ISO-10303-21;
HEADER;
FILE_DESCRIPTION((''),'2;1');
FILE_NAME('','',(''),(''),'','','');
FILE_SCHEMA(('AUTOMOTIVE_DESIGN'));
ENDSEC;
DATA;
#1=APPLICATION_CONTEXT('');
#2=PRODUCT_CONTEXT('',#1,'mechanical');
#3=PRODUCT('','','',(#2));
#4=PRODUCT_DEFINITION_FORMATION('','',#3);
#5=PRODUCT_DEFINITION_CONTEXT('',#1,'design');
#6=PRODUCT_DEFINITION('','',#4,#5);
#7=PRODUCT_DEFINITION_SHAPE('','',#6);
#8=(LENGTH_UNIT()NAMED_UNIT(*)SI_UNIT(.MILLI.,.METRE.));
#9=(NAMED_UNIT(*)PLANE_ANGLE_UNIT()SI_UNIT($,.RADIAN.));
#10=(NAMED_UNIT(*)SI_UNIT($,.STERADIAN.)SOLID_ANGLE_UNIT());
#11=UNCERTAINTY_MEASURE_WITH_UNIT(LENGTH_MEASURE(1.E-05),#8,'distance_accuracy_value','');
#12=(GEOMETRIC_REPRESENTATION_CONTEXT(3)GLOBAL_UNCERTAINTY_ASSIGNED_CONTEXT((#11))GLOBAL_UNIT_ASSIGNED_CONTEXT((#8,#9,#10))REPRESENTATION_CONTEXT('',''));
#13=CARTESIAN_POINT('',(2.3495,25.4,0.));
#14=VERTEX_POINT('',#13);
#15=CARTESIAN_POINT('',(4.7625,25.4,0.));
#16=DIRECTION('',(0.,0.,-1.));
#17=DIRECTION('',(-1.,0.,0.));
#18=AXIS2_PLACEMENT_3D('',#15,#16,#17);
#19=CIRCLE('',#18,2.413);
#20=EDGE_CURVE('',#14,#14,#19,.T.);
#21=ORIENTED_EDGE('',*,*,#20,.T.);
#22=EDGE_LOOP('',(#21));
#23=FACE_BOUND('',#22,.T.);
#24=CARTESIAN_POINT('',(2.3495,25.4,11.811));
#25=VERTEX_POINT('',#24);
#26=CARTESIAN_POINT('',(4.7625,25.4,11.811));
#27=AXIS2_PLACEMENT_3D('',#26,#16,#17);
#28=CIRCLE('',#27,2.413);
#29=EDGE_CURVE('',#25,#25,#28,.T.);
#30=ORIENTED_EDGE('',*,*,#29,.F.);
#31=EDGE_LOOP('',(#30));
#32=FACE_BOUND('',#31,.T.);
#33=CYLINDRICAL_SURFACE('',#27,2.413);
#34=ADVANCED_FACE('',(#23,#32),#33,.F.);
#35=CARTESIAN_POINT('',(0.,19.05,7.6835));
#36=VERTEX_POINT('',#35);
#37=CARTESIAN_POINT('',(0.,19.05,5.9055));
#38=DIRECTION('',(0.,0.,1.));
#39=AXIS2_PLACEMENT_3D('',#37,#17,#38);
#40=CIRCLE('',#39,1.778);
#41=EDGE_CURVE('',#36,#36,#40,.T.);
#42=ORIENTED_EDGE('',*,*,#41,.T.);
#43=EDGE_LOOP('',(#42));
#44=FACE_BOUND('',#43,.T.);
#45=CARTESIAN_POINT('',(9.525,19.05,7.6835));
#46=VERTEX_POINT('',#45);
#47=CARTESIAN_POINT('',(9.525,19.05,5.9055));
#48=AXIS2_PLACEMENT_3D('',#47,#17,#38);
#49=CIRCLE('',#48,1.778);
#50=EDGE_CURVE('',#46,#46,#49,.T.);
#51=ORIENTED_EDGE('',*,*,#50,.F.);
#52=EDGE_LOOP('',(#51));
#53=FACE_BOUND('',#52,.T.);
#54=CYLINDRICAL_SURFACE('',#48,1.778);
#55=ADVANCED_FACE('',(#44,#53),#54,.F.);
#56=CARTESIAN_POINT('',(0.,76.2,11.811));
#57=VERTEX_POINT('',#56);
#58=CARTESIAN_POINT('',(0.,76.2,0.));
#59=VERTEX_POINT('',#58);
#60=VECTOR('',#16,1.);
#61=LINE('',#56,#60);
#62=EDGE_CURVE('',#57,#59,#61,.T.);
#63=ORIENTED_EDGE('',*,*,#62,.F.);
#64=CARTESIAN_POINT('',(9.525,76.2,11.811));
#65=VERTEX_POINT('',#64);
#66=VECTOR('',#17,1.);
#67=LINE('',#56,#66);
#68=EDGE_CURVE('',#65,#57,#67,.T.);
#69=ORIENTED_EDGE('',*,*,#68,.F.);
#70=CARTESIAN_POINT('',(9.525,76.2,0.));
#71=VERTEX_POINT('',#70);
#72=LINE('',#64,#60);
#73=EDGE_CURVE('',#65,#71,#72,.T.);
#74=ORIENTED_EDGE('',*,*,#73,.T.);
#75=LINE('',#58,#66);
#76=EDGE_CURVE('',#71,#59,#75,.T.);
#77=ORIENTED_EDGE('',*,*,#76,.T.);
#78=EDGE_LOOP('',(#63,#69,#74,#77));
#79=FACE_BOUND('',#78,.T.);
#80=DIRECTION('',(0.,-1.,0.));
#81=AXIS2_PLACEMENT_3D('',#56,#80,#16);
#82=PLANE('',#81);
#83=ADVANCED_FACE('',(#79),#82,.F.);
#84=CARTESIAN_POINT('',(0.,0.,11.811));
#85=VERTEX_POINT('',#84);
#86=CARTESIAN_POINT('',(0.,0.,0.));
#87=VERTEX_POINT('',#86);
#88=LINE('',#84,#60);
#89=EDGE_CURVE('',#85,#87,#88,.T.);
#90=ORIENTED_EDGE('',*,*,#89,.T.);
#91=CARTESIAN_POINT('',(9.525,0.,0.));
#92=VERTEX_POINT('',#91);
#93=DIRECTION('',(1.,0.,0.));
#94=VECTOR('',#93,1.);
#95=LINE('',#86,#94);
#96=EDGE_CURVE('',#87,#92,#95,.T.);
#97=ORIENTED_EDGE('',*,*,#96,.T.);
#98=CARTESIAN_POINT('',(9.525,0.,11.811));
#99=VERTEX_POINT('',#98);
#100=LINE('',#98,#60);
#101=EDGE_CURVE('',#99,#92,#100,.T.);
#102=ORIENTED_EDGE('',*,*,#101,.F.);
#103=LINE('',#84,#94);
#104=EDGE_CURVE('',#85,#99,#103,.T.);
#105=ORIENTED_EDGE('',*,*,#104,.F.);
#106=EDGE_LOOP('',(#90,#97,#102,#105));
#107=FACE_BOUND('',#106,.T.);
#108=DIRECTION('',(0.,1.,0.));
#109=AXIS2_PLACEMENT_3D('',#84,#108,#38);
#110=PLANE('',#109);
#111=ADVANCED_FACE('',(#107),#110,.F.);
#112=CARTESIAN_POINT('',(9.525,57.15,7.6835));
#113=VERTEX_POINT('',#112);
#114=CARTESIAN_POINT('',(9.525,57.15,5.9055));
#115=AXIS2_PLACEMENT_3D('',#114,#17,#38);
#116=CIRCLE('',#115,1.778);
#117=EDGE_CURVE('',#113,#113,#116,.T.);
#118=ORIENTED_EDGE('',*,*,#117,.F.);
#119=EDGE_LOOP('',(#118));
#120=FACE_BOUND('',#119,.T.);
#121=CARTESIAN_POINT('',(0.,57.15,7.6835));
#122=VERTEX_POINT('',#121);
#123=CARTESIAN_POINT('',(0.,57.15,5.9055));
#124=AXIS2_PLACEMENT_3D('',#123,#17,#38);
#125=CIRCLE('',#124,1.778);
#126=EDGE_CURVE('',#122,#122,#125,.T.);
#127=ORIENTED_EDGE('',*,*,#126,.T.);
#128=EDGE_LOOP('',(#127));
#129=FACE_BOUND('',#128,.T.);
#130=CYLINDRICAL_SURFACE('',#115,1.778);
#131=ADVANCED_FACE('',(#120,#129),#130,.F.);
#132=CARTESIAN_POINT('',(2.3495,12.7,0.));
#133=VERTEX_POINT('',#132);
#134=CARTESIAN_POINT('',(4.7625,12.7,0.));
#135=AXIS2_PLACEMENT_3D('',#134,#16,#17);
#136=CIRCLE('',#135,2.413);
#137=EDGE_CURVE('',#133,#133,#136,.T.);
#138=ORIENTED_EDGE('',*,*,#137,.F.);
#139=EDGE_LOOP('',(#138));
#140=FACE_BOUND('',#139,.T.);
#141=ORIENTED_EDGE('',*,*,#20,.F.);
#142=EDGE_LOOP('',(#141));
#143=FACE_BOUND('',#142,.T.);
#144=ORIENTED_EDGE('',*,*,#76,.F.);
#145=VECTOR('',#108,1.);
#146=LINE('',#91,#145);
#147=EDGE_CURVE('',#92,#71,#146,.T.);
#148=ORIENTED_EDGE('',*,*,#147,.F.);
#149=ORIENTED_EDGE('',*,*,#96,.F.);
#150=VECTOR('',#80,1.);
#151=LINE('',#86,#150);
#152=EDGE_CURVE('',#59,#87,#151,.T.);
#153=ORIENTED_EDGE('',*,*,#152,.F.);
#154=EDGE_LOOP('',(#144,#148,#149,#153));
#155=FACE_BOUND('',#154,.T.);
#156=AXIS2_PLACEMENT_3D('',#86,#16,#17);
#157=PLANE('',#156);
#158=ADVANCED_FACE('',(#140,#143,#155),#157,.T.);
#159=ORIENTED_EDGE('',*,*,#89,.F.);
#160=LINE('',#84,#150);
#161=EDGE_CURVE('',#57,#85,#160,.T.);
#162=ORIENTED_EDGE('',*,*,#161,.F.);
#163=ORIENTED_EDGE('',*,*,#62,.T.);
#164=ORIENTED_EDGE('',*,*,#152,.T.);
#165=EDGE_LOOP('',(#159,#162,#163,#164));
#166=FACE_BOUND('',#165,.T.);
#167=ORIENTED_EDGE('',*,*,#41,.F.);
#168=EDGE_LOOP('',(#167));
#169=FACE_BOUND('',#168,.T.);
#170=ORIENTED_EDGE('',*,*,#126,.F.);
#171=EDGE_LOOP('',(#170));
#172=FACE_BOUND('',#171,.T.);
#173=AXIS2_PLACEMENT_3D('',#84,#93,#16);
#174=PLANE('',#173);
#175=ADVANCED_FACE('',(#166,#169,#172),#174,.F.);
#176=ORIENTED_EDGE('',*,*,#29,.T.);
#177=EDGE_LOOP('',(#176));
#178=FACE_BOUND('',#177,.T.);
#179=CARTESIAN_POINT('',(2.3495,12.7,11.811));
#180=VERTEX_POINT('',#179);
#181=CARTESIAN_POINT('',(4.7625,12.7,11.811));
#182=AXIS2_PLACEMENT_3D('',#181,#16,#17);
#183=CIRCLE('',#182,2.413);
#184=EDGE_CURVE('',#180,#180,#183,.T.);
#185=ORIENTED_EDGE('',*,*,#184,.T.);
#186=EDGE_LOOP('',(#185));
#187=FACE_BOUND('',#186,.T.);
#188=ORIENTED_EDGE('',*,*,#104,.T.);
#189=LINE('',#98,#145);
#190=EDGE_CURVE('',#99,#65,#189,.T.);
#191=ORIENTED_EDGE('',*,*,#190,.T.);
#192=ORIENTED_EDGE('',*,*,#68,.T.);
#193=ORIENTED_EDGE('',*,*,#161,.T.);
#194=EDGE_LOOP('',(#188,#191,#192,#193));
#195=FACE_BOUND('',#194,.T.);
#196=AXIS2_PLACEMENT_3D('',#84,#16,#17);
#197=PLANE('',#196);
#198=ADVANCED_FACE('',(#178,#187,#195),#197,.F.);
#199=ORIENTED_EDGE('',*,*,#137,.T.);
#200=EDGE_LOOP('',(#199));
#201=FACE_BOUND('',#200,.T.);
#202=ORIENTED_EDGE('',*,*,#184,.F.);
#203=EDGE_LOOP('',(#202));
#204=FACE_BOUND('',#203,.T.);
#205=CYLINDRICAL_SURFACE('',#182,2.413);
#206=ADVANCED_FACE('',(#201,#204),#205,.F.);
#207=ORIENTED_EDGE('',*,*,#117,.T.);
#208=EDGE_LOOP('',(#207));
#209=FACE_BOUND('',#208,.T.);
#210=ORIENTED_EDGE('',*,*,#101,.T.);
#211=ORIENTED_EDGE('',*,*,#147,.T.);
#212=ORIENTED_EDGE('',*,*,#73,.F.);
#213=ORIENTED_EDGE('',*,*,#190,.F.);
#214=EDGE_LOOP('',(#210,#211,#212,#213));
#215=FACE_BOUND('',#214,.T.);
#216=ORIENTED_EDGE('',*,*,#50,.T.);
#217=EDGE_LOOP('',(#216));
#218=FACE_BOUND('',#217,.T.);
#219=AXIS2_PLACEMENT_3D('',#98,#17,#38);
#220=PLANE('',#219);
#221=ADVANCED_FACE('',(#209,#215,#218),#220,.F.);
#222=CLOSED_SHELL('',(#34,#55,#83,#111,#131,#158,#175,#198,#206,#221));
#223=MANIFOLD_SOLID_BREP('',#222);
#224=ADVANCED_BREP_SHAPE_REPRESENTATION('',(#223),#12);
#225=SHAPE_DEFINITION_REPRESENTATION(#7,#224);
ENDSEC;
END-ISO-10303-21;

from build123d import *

# Parameters (mm, degrees)
SKETCH1_W           = 9.525
SKETCH1_H           = 76.2
BOSS_EXTRUDE1_DEPTH = 11.811
SKETCH2_R           = 1.778
CUT_EXTRUDE1_DEPTH  = 10.525
SKETCH3_R           = 2.413
CUT_EXTRUDE2_DEPTH  = 12.811


with BuildPart() as part:
    # Sketch1 → Boss-Extrude1 (new body)
    with BuildSketch(Plane.XY):
        with Locations((4.7625, 38.1)):
            Rectangle(SKETCH1_W, SKETCH1_H)
    extrude(amount=BOSS_EXTRUDE1_DEPTH)

    # Sketch2 → Cut-Extrude1 (cut, through all)
    with BuildSketch(Plane.ZY):
        with Locations((5.9055, 57.15)):
            Circle(SKETCH2_R)
        with Locations((5.9055, 19.05)):
            Circle(SKETCH2_R)
    extrude(amount=-CUT_EXTRUDE1_DEPTH, mode=Mode.SUBTRACT)

    # Sketch3 → Cut-Extrude2 (cut, through all)
    with BuildSketch(Plane(origin=(0, 0, 0), x_dir=(-1, 0, 0), z_dir=(0, 0, -1))):
        with Locations((-4.7625, 25.4)):
            Circle(SKETCH3_R)
        with Locations((-4.7625, 12.7)):
            Circle(SKETCH3_R)
    extrude(amount=-CUT_EXTRUDE2_DEPTH, mode=Mode.SUBTRACT)


solid = part.part
